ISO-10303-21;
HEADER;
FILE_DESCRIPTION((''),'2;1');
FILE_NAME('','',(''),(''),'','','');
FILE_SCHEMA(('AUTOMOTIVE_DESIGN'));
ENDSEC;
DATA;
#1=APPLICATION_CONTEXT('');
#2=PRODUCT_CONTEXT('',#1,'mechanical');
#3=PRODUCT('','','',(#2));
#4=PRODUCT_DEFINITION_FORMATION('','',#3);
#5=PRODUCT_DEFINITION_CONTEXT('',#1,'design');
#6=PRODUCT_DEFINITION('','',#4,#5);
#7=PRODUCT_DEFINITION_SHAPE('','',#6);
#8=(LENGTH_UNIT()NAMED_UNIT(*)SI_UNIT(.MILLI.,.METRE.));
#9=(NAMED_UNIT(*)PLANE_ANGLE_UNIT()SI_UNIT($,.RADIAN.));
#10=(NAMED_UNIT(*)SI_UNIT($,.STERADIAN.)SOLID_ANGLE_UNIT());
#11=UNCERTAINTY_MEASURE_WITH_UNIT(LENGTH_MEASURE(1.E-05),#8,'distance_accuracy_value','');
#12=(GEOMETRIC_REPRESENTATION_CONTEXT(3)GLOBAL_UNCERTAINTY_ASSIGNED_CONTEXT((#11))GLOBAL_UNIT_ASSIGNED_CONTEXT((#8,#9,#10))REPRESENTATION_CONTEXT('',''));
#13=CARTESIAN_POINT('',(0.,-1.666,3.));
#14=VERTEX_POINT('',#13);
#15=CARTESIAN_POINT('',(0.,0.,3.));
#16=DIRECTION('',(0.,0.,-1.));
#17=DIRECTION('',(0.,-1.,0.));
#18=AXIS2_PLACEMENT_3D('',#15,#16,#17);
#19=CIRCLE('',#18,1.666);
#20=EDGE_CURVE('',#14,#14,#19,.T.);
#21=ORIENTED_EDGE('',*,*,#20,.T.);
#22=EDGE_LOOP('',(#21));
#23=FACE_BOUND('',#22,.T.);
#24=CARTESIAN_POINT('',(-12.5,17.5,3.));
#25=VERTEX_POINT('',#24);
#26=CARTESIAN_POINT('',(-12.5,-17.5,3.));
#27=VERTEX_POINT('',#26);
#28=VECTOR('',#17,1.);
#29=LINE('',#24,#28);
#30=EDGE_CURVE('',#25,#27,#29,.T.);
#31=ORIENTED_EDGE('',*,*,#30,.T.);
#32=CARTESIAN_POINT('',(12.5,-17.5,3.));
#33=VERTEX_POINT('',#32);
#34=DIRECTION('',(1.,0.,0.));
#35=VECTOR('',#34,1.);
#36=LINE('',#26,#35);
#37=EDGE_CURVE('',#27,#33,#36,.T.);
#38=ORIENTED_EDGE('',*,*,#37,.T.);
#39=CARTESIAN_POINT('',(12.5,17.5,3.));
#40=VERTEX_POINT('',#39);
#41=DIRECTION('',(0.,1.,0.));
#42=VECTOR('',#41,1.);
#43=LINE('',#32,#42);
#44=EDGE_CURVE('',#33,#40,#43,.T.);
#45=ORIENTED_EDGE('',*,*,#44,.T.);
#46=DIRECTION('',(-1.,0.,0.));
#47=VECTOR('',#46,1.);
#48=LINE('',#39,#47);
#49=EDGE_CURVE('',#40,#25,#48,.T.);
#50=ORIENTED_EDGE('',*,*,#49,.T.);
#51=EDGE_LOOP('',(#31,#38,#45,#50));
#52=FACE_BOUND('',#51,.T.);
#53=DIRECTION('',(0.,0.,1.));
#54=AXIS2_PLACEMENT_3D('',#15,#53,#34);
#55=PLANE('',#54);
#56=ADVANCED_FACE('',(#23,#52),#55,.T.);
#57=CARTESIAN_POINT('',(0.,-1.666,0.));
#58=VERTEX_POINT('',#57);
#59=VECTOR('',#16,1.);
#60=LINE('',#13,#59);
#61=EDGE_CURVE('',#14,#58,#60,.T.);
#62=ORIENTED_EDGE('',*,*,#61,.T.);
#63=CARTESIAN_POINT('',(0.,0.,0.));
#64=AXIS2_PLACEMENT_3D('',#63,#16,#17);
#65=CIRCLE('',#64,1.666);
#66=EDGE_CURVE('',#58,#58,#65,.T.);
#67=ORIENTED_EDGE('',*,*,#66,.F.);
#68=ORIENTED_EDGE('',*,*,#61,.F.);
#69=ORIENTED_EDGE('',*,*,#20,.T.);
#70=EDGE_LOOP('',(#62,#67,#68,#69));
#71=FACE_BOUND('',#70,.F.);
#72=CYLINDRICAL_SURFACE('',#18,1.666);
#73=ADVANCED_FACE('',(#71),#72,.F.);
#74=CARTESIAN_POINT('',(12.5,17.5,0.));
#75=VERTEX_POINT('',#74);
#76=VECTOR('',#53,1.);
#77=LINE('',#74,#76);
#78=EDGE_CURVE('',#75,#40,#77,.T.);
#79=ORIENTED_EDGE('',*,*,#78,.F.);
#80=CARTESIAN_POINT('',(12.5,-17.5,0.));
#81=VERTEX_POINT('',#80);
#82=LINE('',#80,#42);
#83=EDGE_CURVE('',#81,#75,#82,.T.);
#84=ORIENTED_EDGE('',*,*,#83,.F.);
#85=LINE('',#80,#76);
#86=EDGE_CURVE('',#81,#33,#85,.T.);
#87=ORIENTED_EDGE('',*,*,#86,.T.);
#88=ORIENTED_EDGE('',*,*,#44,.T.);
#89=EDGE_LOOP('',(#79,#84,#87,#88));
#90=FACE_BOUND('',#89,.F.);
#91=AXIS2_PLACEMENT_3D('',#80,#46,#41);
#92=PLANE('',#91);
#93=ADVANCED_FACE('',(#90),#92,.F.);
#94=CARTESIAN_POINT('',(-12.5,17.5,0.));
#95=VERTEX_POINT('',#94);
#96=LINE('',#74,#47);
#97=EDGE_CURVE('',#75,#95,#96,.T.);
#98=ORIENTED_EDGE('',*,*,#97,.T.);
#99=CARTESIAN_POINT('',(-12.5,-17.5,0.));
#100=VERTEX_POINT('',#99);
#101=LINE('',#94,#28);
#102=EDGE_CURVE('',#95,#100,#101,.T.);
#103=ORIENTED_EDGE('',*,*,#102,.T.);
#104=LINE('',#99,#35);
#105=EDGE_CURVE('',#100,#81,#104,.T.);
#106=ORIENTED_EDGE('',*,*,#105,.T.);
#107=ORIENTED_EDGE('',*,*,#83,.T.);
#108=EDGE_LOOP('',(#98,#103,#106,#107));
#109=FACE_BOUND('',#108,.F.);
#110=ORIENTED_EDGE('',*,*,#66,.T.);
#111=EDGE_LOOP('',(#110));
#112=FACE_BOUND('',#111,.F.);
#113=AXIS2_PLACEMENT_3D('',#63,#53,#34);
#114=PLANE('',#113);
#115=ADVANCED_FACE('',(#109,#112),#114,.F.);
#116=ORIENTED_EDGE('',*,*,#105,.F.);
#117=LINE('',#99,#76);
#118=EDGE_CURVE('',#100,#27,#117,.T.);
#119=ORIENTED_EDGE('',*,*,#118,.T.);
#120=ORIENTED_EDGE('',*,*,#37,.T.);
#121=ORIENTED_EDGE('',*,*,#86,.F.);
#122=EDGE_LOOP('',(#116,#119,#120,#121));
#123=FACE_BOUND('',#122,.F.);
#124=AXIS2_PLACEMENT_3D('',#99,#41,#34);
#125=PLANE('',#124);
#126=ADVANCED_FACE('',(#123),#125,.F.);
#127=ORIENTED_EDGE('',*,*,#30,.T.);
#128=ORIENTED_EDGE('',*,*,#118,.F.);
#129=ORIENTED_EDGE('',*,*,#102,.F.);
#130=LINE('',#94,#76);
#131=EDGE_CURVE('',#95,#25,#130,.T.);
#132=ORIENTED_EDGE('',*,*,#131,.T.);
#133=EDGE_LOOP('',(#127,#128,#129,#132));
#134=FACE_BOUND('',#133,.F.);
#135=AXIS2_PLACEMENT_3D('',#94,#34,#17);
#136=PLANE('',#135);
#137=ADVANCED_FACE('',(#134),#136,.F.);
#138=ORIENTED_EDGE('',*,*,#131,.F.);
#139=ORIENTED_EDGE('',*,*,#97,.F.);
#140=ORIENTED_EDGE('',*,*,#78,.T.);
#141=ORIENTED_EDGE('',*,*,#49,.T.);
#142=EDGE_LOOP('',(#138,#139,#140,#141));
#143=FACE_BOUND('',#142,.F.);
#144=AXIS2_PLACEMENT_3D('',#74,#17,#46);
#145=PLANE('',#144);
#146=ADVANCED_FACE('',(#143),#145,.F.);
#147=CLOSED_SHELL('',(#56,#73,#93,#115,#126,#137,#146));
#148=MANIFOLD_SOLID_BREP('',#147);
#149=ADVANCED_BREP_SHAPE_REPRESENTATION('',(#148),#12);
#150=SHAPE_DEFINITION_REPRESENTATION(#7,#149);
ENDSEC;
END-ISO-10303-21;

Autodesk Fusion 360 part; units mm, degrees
sketch "Skizze1" plane through (0, 0, 0) normal (0, 0, 1) x (1, 0, 0)
  line L0 (-12.5, -17.5) -> (12.5, -17.5)
  line L1 (12.5, -17.5) -> (12.5, 17.5)
  line L2 (12.5, 17.5) -> (-12.5, 17.5)
  line L3 (-12.5, 17.5) -> (-12.5, -17.5)
  dimension "d1" = 25
  dimension "d2" = 35
  dimension "d3" = 17.5
  dimension "d4" = 12.5
extrude "Extrusion1" add sketch "Skizze1" along normal blind 3
sketch "Skizze2" plane through (0, 0, 3) normal (0, 0, 1) x (-1, 0, 0)
  line L0 (12.5, -17.5) -> (12.5, 17.5)
  line L1 (12.5, 17.5) -> (-12.5, 17.5)
  line L2 (-12.5, 17.5) -> (-12.5, -17.5)
  line L3 (-12.5, -17.5) -> (12.5, -17.5)
hole "Bohrung1" at (0, 0, 3) direction (0, 0, -1) diameter 3.332 end through all
equation "d3 = ( 35 / 2 ) * 1 mm"
equation "d4 = ( 25 / 2 ) * 1 mm"
